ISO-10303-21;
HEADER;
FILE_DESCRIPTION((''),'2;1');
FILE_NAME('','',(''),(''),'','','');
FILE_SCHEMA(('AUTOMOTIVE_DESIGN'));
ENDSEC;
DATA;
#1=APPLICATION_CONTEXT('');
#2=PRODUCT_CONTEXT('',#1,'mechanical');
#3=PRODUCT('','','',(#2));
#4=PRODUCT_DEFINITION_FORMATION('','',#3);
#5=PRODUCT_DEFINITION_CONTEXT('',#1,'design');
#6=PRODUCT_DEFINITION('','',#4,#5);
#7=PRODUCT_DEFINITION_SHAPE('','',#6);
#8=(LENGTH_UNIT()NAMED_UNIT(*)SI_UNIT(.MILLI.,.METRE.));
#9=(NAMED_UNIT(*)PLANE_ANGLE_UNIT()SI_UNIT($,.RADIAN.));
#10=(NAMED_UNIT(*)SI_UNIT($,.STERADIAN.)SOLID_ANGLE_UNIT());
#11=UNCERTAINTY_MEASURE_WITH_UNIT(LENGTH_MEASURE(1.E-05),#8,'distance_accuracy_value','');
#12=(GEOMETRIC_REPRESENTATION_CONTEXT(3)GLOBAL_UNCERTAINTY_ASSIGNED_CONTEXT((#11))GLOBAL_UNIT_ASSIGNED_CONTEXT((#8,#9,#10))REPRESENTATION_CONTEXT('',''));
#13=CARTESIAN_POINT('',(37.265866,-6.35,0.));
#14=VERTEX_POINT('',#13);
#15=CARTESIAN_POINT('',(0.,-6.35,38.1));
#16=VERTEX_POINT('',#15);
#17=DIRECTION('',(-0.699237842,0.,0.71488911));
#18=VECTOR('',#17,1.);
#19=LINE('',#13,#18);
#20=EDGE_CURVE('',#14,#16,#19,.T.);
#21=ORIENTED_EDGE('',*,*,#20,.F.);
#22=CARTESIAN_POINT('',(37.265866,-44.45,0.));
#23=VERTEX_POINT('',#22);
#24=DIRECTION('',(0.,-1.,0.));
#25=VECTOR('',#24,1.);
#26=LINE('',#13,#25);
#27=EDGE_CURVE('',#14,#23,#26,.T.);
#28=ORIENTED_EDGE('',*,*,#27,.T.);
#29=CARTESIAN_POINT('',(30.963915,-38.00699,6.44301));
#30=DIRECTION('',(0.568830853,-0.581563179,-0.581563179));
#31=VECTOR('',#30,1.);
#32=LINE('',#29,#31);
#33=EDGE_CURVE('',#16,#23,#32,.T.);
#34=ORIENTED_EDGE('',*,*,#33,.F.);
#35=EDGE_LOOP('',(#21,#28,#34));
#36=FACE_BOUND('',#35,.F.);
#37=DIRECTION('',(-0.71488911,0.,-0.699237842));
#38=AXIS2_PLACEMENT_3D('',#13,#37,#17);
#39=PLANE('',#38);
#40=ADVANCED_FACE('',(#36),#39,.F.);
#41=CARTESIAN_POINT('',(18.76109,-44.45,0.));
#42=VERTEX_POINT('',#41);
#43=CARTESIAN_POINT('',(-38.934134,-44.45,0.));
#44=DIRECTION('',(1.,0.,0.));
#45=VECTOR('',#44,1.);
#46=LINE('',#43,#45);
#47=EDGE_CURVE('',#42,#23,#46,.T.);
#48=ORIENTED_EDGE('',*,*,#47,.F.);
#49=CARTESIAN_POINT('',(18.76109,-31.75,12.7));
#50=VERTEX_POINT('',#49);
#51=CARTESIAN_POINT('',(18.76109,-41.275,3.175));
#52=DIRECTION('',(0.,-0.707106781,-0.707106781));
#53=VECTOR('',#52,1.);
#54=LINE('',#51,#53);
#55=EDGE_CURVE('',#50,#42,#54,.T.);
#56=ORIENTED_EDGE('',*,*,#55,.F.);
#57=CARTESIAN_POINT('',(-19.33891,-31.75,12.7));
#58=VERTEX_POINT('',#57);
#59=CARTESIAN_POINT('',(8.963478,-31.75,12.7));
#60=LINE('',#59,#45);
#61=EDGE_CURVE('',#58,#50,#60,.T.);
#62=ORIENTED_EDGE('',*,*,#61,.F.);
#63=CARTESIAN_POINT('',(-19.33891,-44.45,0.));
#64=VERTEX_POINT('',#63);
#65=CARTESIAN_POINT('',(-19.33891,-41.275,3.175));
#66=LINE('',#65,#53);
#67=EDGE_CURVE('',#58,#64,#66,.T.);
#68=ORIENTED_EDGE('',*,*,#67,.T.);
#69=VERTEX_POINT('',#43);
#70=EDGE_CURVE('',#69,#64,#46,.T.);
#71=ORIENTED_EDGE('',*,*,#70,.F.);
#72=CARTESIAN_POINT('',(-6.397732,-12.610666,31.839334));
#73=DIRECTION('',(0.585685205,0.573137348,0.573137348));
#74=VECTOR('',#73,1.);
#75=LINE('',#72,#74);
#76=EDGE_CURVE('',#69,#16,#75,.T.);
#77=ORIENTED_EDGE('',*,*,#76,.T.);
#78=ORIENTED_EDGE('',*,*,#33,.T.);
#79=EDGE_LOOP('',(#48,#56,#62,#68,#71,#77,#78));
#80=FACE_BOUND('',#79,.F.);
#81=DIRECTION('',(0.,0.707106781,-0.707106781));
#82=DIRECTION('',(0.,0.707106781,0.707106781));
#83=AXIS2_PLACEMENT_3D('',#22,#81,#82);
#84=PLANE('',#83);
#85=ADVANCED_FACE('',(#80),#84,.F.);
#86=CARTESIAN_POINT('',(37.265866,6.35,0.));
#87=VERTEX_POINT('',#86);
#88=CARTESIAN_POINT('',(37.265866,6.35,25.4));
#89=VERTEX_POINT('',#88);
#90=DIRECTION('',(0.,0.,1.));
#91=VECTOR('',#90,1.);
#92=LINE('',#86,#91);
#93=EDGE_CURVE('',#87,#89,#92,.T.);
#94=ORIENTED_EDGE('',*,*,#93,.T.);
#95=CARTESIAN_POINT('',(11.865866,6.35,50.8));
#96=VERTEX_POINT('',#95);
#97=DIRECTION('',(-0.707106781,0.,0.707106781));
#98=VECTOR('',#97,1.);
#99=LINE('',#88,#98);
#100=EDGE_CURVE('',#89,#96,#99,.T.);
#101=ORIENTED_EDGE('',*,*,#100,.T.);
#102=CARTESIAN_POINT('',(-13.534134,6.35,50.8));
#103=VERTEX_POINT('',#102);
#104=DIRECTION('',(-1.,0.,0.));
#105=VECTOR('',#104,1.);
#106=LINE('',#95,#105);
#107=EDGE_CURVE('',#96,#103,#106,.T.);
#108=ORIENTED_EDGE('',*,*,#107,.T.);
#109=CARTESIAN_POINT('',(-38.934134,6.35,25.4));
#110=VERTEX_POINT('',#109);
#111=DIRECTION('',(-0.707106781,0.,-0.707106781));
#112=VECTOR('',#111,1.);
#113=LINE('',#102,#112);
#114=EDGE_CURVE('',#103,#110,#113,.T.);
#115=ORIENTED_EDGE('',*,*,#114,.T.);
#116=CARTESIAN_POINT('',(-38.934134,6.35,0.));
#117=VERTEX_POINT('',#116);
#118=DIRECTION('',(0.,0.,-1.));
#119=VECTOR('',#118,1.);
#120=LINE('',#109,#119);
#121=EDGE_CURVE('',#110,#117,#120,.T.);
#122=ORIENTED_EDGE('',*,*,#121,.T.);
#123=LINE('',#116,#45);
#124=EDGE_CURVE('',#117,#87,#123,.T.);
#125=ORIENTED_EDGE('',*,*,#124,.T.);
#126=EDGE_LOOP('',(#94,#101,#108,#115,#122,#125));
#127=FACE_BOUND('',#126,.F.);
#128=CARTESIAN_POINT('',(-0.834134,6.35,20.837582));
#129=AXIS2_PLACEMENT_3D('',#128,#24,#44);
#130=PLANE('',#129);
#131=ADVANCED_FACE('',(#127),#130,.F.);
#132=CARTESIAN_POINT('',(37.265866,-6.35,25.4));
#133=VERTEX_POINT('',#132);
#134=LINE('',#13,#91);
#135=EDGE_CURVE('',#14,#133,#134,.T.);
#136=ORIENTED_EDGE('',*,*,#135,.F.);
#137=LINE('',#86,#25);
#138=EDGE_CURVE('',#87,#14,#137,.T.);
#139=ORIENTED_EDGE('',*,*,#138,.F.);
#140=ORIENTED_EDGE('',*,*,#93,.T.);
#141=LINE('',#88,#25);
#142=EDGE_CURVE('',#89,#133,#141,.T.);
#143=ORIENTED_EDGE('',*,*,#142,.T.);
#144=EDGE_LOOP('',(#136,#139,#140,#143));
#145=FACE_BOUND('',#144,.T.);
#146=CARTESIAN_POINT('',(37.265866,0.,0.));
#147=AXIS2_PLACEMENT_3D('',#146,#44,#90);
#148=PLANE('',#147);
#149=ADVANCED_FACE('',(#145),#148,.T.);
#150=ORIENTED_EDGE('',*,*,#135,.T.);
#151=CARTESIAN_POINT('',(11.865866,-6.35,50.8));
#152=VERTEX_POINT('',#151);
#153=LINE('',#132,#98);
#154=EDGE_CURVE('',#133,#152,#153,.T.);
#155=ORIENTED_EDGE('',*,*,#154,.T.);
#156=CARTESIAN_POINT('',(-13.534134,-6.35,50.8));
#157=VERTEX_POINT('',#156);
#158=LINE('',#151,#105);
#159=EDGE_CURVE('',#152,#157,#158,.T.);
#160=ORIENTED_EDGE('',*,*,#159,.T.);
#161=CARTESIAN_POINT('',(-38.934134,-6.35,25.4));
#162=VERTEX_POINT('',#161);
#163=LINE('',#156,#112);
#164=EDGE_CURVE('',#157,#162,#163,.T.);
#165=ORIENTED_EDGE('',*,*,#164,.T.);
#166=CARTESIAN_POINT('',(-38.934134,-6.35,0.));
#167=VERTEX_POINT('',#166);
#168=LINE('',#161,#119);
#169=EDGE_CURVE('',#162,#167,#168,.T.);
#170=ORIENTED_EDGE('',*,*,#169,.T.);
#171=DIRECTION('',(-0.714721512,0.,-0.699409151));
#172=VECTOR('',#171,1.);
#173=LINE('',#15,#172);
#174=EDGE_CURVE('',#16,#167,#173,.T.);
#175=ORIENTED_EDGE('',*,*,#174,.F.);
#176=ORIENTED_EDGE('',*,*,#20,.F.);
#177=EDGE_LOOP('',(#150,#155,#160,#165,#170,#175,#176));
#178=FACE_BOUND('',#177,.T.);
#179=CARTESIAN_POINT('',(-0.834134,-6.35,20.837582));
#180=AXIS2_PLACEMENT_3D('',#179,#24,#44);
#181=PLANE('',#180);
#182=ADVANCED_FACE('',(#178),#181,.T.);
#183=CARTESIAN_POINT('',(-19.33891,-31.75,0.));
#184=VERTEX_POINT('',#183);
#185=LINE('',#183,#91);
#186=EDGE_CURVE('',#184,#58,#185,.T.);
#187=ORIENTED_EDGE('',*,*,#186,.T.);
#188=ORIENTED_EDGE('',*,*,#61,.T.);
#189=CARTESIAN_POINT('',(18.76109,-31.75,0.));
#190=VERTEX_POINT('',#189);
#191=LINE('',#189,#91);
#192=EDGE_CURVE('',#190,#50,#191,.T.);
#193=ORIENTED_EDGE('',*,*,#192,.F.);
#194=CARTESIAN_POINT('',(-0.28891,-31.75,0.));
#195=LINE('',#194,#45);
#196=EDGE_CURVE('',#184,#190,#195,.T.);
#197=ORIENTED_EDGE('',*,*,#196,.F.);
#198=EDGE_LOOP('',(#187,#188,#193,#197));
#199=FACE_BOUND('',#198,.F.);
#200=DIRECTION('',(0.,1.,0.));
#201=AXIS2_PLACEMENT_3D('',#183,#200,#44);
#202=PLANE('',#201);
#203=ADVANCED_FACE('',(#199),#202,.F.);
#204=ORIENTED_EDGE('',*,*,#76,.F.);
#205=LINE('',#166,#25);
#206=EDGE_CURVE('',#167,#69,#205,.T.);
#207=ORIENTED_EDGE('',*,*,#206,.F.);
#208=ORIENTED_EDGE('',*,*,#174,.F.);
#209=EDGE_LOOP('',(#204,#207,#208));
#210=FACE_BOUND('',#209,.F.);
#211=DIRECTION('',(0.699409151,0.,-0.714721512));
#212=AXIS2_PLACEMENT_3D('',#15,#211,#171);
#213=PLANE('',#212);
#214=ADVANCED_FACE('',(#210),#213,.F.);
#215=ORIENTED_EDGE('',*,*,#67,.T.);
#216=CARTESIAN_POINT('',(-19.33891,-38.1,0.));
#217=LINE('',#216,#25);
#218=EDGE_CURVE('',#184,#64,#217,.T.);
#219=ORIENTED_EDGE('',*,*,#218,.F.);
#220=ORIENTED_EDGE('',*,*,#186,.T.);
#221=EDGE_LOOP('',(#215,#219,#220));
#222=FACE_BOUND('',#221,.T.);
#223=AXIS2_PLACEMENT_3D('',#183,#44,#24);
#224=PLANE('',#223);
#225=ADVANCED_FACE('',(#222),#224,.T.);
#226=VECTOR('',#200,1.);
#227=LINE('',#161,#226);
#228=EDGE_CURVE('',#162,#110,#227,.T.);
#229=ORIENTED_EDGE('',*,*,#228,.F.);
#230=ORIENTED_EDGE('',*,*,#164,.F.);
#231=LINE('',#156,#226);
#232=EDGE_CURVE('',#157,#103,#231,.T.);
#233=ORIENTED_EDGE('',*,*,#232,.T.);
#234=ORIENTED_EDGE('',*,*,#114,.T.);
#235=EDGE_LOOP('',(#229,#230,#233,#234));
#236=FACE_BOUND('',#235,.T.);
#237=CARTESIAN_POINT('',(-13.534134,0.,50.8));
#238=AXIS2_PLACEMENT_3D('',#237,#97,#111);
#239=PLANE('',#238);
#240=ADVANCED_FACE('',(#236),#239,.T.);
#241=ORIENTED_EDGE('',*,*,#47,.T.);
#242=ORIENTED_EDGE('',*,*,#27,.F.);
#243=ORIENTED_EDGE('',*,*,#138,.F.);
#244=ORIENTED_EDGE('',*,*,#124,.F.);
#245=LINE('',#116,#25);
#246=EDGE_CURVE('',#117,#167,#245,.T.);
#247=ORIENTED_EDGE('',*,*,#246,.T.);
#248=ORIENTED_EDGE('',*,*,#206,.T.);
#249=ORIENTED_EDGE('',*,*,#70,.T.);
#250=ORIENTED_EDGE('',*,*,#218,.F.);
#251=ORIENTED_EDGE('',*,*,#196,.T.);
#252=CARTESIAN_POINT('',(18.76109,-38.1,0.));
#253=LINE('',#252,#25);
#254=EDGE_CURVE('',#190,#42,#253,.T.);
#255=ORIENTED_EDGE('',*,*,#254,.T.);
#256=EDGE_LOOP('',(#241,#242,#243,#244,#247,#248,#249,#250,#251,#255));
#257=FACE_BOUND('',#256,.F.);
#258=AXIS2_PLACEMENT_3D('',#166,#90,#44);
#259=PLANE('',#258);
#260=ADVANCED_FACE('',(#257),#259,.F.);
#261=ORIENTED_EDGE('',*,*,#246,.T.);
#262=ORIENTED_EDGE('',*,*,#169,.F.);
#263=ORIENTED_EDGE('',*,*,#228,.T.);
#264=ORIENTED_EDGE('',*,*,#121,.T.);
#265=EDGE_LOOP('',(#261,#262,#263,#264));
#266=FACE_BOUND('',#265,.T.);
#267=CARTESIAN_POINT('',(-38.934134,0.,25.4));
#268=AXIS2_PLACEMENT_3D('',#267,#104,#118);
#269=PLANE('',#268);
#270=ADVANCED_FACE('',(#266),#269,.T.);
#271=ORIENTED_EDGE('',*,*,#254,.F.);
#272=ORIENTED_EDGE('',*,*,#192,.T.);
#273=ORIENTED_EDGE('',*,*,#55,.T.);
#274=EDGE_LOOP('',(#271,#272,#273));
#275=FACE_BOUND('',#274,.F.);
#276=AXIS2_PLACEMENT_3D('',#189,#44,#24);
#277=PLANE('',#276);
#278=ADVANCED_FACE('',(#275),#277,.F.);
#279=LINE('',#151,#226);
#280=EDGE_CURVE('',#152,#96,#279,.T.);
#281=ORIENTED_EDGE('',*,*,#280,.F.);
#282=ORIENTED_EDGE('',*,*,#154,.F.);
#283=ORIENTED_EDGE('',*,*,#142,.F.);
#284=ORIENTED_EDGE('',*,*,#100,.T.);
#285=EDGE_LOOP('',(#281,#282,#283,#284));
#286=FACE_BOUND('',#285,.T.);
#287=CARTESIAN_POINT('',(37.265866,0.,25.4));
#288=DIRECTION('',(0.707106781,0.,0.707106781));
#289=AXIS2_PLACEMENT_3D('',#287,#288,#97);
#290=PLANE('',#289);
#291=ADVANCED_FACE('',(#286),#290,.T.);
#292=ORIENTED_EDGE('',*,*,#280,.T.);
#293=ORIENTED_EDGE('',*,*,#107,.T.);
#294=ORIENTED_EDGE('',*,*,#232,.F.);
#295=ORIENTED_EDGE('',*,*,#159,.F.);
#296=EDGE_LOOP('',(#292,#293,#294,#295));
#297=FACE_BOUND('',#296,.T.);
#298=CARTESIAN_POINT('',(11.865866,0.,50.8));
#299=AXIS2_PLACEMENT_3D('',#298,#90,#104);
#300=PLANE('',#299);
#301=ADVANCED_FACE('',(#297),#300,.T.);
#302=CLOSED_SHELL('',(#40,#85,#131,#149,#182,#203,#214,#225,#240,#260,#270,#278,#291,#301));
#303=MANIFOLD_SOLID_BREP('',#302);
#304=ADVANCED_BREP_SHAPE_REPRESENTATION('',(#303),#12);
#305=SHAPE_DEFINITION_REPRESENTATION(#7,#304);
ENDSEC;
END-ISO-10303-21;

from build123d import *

# Parameters (mm, degrees)
F1_DEPTH = 6.35
F3_DEPTH = 38.1
F5_DEPTH = 76.2
F6_W     = 38.1
F6_H     = 12.7
F7_DEPTH = 25.4


with BuildPart() as f1:
    # F0 (on Front) → F1 (new body, symmetric)
    with BuildSketch(Plane.XZ):
        Polygon((-38.934134, 25.4), (-38.934134, 0), (37.265866, 0), (37.265866, 25.4), (11.865866, 50.8), (-13.534134, 50.8), align=None)
    extrude(amount=F1_DEPTH, both=True)

    # F2 (on face) → F3 (join)
    with BuildSketch(Plane.XZ.offset(6.35)):
        Polygon((0, 38.1), (-38.934134, 0), (37.265866, 0), align=None)
    extrude(amount=F3_DEPTH)

    # F4 (on face) → F5 (cut)
    with BuildSketch(Plane.YZ.offset(37.265866)):
        Polygon((-44.45, 38.1), (-44.45, 0), (-6.35, 38.1), align=None)
    extrude(amount=-F5_DEPTH, mode=Mode.SUBTRACT)

    # F6 (on face) → F7 (cut)
    with BuildSketch(Plane(origin=(0, 0, 0), x_dir=(1, 0, 0), z_dir=(0, 0, -1))):
        with Locations((-0.28891, 38.1)):
            Rectangle(F6_W, F6_H)
    extrude(amount=-F7_DEPTH, mode=Mode.SUBTRACT)


solid = f1.part
